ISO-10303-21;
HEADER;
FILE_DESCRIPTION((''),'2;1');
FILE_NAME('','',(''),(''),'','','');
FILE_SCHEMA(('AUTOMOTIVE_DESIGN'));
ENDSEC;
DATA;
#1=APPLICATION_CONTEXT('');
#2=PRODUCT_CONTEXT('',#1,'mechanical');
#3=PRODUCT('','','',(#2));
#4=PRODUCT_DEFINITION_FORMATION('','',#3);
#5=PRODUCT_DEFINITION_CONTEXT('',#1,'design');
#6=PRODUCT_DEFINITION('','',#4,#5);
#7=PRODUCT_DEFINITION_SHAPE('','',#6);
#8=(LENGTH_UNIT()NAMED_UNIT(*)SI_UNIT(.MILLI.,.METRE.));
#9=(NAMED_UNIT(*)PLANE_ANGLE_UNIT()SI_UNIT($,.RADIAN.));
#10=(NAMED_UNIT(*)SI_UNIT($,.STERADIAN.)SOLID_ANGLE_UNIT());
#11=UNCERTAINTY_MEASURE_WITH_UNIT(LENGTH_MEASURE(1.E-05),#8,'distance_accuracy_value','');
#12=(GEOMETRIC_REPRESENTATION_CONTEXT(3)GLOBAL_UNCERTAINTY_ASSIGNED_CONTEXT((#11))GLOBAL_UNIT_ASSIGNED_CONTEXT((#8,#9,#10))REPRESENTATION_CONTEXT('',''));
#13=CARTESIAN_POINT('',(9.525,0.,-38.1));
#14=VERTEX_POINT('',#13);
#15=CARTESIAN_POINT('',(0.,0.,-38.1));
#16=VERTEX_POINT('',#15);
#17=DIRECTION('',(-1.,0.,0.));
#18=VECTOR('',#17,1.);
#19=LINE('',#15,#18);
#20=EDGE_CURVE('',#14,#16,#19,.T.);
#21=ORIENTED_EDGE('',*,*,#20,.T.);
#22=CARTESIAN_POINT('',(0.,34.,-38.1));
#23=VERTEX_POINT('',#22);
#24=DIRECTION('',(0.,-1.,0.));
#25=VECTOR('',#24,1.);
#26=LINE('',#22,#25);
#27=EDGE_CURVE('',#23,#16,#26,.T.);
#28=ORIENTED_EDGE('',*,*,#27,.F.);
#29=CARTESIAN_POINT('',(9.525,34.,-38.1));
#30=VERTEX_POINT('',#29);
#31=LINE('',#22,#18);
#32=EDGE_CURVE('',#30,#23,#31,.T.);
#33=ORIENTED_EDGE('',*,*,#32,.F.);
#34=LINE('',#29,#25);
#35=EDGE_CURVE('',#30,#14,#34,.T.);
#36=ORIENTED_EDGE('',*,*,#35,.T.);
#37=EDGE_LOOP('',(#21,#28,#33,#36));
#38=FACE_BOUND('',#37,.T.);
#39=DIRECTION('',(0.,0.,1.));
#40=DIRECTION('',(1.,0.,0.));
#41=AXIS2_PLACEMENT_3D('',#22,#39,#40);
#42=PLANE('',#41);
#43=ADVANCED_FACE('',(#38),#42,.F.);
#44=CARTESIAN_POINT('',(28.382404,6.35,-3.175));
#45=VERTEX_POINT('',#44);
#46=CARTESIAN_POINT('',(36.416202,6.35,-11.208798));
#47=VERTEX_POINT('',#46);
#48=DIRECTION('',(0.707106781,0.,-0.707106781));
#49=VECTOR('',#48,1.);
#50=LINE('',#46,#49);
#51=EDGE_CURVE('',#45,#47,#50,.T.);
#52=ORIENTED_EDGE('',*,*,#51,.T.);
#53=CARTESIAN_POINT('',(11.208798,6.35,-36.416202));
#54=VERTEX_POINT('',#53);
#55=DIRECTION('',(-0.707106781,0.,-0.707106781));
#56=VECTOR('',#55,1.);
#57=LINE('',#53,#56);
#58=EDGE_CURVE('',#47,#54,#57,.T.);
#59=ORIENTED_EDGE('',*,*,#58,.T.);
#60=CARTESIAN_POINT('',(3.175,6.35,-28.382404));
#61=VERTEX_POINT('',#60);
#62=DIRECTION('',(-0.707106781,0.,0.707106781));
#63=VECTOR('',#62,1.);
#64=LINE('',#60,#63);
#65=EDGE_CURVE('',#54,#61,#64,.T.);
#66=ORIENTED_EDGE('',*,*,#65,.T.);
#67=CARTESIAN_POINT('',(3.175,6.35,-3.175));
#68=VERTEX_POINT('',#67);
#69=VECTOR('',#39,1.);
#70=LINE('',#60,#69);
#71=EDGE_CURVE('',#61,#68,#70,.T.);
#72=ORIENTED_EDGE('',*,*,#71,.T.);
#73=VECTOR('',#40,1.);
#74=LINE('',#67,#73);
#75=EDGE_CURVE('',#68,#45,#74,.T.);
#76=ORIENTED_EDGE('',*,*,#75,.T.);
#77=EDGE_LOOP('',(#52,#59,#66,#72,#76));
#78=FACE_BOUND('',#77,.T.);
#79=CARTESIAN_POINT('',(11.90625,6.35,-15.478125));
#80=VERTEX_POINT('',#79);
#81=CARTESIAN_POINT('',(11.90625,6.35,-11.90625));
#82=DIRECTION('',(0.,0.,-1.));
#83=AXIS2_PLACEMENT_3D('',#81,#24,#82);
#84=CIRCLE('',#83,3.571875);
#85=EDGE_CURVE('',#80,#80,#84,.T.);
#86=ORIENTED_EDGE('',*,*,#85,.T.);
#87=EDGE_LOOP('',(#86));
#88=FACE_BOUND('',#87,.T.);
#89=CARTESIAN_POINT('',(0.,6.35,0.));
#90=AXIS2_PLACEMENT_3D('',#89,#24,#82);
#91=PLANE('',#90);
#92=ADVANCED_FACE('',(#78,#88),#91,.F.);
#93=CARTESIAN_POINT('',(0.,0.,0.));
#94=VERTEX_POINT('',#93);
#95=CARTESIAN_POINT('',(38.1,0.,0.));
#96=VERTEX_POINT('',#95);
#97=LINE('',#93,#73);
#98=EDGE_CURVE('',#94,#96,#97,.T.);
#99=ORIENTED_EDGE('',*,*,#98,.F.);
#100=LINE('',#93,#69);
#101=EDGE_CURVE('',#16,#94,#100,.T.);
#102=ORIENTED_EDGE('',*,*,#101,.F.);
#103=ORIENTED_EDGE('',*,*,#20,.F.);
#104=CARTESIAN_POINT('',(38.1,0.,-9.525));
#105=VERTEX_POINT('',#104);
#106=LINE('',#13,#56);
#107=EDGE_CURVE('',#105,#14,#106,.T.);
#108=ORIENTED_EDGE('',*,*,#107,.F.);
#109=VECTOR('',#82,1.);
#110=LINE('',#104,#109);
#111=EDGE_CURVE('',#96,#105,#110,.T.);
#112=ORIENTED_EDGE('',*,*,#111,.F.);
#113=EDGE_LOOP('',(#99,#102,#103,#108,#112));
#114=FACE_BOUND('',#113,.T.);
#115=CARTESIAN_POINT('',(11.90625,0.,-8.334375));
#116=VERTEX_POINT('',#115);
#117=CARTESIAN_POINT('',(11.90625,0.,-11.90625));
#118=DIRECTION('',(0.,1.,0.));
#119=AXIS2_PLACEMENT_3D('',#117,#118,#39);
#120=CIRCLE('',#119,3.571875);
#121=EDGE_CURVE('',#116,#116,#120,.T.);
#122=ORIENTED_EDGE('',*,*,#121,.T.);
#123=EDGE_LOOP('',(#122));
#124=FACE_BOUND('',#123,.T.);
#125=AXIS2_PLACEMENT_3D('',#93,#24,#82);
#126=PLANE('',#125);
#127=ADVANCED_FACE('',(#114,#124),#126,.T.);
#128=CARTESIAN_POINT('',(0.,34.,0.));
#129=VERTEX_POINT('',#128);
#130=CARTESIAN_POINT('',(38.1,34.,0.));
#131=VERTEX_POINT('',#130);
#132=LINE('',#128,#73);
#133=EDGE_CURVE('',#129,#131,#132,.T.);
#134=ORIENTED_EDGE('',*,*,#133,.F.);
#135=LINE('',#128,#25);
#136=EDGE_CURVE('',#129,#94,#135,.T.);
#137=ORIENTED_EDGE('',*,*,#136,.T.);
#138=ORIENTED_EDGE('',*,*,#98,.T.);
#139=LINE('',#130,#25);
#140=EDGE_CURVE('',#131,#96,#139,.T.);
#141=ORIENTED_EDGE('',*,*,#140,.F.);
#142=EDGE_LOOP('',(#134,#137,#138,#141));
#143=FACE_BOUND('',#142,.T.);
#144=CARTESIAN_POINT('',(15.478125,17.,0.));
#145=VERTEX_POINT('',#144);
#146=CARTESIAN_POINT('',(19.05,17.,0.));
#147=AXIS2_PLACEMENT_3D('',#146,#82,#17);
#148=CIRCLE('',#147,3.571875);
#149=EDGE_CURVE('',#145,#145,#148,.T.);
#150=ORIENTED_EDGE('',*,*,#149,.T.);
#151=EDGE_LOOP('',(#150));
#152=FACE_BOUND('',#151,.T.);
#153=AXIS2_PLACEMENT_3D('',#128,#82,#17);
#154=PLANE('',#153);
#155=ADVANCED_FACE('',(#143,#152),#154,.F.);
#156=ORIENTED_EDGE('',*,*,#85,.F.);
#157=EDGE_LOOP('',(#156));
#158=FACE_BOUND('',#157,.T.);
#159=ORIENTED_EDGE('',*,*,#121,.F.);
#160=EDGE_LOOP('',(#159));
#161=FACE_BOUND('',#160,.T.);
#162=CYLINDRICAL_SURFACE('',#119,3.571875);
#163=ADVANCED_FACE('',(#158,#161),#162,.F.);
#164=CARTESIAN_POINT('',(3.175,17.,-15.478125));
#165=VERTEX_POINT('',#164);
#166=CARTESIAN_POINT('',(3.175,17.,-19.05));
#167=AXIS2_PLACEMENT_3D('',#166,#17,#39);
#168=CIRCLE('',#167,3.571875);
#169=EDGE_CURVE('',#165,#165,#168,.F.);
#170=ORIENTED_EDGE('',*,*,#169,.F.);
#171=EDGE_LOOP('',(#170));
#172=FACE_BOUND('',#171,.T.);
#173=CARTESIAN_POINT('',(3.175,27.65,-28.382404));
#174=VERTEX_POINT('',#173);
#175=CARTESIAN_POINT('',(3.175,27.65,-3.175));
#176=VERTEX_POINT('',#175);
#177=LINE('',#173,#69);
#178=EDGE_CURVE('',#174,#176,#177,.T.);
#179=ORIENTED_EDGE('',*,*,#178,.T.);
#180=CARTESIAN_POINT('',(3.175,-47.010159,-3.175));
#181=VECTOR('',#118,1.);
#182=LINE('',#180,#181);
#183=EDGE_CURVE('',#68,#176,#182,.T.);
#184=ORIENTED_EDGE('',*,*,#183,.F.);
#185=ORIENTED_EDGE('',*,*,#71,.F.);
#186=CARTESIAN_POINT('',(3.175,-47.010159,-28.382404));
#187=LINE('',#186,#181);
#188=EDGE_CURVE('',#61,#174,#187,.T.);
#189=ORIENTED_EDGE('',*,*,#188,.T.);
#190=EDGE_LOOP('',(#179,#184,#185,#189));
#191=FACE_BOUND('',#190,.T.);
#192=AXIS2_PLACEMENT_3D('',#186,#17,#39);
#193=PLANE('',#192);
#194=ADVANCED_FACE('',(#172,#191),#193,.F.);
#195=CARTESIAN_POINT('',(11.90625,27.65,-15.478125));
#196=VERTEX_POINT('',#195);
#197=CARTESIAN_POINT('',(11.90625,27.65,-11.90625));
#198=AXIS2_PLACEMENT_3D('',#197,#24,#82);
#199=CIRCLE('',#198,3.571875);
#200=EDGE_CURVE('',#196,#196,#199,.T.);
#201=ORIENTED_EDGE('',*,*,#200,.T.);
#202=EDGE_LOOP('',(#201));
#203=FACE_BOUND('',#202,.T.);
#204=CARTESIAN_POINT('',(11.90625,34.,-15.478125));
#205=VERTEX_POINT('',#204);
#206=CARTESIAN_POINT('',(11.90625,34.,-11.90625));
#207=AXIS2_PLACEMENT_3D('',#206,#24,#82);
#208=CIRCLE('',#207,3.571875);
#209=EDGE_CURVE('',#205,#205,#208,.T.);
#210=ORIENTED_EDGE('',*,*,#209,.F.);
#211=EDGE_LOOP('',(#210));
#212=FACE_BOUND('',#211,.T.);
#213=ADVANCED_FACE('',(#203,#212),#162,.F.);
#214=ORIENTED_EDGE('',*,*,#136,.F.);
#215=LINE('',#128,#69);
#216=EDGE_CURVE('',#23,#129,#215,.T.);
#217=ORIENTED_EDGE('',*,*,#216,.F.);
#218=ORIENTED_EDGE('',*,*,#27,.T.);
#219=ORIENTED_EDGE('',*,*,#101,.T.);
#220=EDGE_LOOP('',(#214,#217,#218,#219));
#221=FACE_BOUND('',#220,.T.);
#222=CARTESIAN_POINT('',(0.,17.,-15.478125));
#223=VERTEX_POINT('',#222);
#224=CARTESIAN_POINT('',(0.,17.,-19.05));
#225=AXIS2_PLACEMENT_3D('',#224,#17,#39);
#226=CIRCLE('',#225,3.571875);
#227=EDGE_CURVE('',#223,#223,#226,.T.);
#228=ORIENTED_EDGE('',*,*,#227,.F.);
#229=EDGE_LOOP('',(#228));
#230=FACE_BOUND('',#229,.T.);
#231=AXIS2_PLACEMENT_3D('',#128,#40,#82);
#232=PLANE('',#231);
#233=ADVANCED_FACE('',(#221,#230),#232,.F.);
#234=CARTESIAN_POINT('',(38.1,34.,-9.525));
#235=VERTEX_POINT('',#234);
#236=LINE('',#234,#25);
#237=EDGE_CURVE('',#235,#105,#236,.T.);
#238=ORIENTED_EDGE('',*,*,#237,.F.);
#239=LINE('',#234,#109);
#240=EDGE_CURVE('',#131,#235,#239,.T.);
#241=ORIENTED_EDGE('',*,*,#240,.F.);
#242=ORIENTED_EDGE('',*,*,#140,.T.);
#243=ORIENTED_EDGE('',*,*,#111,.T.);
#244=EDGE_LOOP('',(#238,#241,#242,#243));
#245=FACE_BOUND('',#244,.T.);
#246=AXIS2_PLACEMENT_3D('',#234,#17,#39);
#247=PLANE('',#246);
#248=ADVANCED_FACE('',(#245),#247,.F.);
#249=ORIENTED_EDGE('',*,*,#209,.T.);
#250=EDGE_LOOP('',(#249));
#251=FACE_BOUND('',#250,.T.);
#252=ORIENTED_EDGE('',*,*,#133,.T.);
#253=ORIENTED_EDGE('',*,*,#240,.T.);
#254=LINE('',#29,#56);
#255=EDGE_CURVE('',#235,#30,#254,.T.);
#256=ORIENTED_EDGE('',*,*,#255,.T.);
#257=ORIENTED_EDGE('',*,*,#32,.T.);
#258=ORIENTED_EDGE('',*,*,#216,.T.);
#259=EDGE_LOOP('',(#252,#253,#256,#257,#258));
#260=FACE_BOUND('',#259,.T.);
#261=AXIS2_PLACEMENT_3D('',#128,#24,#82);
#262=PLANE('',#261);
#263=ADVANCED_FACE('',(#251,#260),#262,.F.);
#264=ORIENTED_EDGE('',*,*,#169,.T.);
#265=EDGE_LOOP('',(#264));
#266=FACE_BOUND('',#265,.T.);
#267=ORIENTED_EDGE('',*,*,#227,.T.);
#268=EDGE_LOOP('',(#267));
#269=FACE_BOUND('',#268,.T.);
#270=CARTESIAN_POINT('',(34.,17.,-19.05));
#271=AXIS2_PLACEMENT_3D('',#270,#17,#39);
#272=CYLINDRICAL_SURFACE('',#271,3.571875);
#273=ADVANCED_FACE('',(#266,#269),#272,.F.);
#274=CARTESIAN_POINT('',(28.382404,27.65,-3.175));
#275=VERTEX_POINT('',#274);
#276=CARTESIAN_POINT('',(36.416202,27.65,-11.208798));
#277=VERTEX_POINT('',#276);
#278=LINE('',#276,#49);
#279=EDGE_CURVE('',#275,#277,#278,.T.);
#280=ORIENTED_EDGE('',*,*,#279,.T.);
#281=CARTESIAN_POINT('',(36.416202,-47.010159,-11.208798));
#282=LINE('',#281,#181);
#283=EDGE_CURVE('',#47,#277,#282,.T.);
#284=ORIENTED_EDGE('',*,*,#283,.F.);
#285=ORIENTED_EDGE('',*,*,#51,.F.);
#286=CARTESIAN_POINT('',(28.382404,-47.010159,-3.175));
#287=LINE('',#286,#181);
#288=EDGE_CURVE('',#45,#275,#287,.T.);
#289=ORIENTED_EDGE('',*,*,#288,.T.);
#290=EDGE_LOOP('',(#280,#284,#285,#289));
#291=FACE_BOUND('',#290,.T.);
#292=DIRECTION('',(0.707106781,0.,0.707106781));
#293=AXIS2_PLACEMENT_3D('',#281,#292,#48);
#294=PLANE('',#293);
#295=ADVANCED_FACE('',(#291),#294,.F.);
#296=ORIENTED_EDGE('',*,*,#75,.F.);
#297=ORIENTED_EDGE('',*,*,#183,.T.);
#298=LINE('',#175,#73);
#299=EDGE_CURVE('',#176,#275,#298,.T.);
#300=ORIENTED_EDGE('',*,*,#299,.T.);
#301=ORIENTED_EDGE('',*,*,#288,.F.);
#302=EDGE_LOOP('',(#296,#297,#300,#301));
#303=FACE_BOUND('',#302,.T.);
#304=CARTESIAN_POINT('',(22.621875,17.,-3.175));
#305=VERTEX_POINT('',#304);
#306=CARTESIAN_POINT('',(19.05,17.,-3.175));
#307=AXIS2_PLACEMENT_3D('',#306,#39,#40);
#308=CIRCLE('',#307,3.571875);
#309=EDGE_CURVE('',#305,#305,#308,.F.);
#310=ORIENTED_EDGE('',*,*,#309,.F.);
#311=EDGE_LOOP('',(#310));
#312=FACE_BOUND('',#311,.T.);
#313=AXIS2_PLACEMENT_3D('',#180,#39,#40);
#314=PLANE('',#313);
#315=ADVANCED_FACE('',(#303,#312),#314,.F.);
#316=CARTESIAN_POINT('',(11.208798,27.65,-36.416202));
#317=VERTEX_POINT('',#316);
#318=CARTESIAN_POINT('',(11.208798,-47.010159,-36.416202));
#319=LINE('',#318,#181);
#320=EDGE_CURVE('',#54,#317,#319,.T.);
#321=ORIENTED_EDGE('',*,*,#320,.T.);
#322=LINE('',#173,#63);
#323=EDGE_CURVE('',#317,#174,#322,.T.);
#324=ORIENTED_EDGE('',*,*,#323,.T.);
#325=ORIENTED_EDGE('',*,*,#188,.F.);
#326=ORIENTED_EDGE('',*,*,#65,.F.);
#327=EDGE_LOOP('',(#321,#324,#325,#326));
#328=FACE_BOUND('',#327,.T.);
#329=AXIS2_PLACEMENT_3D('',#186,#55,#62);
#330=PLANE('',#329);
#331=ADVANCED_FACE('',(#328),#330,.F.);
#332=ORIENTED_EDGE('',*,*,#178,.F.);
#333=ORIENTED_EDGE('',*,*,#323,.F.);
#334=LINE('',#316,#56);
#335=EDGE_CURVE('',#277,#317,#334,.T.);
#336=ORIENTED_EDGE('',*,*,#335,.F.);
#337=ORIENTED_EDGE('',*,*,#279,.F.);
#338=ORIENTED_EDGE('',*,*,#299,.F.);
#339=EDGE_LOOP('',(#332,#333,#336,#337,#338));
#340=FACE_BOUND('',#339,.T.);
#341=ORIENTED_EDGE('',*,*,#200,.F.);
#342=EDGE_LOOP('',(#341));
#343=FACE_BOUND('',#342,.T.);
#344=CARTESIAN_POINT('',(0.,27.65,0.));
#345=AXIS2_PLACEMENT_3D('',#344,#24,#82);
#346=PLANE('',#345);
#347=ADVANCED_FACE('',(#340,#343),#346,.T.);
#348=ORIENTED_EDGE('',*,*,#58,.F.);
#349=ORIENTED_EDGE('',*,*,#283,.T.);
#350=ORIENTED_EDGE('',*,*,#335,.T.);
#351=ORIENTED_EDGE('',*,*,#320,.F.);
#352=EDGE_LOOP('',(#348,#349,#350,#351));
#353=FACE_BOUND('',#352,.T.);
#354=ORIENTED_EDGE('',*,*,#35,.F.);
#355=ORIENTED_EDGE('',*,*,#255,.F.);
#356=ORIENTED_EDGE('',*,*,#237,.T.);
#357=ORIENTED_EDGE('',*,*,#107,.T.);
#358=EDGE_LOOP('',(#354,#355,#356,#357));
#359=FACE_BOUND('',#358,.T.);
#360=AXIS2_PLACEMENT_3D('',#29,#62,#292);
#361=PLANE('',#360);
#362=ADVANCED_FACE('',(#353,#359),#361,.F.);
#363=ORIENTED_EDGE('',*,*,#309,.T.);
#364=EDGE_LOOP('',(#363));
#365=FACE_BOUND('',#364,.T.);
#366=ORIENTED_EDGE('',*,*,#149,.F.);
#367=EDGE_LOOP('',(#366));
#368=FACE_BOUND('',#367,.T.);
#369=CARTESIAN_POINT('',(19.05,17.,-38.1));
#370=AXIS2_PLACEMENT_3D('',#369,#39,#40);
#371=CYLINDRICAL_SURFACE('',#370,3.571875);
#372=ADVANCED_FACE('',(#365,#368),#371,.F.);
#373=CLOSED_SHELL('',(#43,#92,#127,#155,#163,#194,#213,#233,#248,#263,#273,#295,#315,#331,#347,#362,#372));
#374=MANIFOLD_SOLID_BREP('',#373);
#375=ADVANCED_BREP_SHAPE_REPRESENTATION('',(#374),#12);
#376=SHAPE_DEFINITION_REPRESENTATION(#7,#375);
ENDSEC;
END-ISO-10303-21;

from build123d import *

# Parameters (mm, degrees)
MAIN_BODY_DEPTH              = 34
SKETCH3_R                    = 3.571875
F_9_32_RIGHT_RAIL_DEPTH      = 1
F_9_32_RIGHT_RAIL_DEPTH_BACK = 39.1
SKETCH4_R                    = 3.571875
F_9_32_LEFT_RAIL_DEPTH       = 34
INNER_HOLLOW_DEPTH           = 21.3
SKETCH6_R                    = 3.571875
F_9_32_TOP_HOLE_DEPTH        = 1
F_9_32_TOP_HOLE_DEPTH_BACK   = 35


with BuildPart() as part:
    # Sketch1 → Main Body (new body)
    with BuildSketch(Plane(origin=(0, 0, 0), x_dir=(1, 0, 0), z_dir=(0, 1, 0))):
        Polygon((0, 0), (38.1, 0), (38.1, 9.525), (9.525, 38.1), (0, 38.1), align=None)
    extrude(amount=MAIN_BODY_DEPTH)

    # Sketch3 → 9/32 Right Rail (cut, two sides)
    with BuildSketch(Plane.XY) as f_9_32_right_rail_sk:
        with Locations((19.05, 17)):
            Circle(SKETCH3_R)
    extrude(amount=F_9_32_RIGHT_RAIL_DEPTH, mode=Mode.SUBTRACT)
    extrude(f_9_32_right_rail_sk.sketch, amount=-F_9_32_RIGHT_RAIL_DEPTH_BACK, mode=Mode.SUBTRACT)

    # Sketch4 → 9/32 Left Rail (cut)
    with BuildSketch(Plane.ZY):
        with Locations((-19.05, 17)):
            Circle(SKETCH4_R)
    extrude(amount=-F_9_32_LEFT_RAIL_DEPTH, mode=Mode.SUBTRACT)

    # Sketch5 → Inner Hollow (cut)
    with BuildSketch(Plane(origin=(0, 27.65, 0), x_dir=(1, 0, 0), z_dir=(0, 1, 0))):
        Polygon((3.175, 28.382403955), (11.208798023, 36.416201977), (36.416201977, 11.208798023), (28.382403955, 3.175), (3.175, 3.175), align=None)
    extrude(amount=-INNER_HOLLOW_DEPTH, mode=Mode.SUBTRACT)

    # Sketch6 → 9/32 Top Hole (cut, two sides)
    with BuildSketch(Plane(origin=(0, 34, 0), x_dir=(1, 0, 0), z_dir=(0, 1, 0))) as f_9_32_top_hole_sk:
        with Locations((11.90625, 11.90625)):
            Circle(SKETCH6_R)
    extrude(amount=F_9_32_TOP_HOLE_DEPTH, mode=Mode.SUBTRACT)
    extrude(f_9_32_top_hole_sk.sketch, amount=-F_9_32_TOP_HOLE_DEPTH_BACK, mode=Mode.SUBTRACT)


solid = part.part
